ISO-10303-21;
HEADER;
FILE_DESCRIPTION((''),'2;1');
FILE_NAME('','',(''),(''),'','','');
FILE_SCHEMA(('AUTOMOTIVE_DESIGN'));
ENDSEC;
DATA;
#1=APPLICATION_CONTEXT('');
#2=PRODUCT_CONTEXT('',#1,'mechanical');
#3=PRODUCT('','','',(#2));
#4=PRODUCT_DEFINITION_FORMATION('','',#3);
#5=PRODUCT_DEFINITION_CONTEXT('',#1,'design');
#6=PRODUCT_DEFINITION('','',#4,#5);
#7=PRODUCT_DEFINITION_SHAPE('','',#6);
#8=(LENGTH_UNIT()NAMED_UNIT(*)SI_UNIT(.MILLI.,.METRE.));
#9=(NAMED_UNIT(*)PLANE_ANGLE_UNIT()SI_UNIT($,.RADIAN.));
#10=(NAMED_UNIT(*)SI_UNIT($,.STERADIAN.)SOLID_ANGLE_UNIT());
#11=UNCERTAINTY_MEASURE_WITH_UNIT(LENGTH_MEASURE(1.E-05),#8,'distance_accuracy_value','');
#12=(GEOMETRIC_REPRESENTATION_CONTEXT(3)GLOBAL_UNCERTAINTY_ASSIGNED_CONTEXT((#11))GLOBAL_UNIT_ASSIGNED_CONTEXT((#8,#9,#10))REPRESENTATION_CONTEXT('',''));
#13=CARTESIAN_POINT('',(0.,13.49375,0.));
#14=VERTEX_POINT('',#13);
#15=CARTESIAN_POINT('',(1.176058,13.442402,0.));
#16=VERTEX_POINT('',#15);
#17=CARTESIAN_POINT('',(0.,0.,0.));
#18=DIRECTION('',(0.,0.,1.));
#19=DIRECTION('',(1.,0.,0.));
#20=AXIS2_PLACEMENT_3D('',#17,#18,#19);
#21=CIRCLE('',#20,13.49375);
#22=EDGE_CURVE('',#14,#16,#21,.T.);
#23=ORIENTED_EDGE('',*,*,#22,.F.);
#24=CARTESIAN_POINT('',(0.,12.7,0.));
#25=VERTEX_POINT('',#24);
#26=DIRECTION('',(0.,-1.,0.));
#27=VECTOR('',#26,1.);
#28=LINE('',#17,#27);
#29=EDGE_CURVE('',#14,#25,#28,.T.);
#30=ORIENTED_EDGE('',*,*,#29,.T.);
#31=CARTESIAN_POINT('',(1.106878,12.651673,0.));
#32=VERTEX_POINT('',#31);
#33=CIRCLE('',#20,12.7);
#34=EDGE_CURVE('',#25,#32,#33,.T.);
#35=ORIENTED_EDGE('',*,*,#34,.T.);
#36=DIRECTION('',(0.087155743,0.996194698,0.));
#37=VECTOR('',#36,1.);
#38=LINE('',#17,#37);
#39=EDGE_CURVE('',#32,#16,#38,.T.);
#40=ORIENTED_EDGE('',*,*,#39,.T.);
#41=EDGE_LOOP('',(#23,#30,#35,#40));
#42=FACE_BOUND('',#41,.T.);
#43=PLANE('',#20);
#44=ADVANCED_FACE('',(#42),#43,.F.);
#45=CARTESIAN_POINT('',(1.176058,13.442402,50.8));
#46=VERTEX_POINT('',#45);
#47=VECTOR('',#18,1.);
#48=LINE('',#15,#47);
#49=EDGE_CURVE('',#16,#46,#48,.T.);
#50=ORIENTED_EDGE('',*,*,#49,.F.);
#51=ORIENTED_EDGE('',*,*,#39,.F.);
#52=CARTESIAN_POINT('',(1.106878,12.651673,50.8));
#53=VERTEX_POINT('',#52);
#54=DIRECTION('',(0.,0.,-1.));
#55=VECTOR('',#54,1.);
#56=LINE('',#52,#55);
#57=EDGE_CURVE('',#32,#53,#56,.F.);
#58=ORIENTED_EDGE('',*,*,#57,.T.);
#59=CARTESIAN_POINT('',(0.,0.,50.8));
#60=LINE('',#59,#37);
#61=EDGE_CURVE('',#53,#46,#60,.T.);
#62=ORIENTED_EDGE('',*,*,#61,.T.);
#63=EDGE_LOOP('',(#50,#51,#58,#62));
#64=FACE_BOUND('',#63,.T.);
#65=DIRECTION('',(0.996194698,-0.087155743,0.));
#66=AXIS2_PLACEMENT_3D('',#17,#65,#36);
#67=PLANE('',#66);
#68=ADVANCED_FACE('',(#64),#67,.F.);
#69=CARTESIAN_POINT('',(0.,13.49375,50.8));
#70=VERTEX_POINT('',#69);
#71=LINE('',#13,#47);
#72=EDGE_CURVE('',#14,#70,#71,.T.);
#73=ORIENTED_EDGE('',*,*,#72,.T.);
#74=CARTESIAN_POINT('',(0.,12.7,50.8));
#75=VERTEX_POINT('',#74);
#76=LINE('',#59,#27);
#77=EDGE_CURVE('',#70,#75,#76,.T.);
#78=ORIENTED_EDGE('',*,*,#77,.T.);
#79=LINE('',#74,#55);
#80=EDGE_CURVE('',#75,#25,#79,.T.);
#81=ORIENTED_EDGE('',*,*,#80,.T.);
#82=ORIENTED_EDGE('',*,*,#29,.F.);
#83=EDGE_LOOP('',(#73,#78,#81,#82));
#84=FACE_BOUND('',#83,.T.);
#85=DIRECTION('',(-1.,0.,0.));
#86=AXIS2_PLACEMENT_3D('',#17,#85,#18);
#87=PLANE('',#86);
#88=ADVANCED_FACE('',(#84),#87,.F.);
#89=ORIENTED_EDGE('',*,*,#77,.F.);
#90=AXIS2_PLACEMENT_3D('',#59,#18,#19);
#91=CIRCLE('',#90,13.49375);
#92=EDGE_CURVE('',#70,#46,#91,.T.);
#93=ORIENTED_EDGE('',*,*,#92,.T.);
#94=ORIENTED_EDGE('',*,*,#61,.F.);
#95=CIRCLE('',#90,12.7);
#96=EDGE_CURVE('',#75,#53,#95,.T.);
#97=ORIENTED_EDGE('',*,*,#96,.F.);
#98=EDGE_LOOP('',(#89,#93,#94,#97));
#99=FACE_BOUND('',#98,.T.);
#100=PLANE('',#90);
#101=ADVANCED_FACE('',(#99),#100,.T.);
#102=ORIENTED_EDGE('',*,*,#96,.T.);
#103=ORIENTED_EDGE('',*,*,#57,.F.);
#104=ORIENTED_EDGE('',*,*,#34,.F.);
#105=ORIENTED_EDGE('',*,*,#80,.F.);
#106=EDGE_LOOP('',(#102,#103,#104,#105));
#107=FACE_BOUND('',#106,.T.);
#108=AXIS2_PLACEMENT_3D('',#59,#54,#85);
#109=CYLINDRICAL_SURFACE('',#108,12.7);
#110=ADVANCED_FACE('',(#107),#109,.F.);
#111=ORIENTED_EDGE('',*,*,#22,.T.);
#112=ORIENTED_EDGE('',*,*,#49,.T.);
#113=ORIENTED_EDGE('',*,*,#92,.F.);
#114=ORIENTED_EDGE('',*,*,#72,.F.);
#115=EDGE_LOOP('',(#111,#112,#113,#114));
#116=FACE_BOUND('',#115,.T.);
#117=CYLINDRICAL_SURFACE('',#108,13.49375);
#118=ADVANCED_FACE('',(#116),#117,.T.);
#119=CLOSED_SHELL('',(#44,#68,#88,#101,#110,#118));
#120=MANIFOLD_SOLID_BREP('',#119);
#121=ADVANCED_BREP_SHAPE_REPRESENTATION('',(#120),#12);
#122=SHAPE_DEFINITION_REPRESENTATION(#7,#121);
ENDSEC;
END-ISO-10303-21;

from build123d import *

# Parameters (mm, degrees)
SKETCH1_R           = 13.49375
SKETCH1_R_2         = 12.7
BOSS_EXTRUDE1_DEPTH = 50.8
CUT_EXTRUDE1_DEPTH  = 55.266035217


with BuildPart() as part:
    # Sketch1 → Boss-Extrude1 (new body)
    with BuildSketch(Plane.XY):
        Circle(SKETCH1_R)
        Circle(SKETCH1_R_2, mode=Mode.SUBTRACT)
    extrude(amount=BOSS_EXTRUDE1_DEPTH)

    # Sketch2 → Cut-Extrude1 (cut, through all)
    with BuildSketch(Plane.XY.offset(50.8)):
        with BuildLine():
            Line((0, 0), (0, 13.49375))
            ThreePointArc((0, 13.49375), (0.588589108, 13.48090694), (1.176057804, 13.442402207))
            Line((1.176057804, 13.442402207), (0, 0))
        make_face()
    extrude(amount=-CUT_EXTRUDE1_DEPTH, mode=Mode.SUBTRACT)


solid = part.part
